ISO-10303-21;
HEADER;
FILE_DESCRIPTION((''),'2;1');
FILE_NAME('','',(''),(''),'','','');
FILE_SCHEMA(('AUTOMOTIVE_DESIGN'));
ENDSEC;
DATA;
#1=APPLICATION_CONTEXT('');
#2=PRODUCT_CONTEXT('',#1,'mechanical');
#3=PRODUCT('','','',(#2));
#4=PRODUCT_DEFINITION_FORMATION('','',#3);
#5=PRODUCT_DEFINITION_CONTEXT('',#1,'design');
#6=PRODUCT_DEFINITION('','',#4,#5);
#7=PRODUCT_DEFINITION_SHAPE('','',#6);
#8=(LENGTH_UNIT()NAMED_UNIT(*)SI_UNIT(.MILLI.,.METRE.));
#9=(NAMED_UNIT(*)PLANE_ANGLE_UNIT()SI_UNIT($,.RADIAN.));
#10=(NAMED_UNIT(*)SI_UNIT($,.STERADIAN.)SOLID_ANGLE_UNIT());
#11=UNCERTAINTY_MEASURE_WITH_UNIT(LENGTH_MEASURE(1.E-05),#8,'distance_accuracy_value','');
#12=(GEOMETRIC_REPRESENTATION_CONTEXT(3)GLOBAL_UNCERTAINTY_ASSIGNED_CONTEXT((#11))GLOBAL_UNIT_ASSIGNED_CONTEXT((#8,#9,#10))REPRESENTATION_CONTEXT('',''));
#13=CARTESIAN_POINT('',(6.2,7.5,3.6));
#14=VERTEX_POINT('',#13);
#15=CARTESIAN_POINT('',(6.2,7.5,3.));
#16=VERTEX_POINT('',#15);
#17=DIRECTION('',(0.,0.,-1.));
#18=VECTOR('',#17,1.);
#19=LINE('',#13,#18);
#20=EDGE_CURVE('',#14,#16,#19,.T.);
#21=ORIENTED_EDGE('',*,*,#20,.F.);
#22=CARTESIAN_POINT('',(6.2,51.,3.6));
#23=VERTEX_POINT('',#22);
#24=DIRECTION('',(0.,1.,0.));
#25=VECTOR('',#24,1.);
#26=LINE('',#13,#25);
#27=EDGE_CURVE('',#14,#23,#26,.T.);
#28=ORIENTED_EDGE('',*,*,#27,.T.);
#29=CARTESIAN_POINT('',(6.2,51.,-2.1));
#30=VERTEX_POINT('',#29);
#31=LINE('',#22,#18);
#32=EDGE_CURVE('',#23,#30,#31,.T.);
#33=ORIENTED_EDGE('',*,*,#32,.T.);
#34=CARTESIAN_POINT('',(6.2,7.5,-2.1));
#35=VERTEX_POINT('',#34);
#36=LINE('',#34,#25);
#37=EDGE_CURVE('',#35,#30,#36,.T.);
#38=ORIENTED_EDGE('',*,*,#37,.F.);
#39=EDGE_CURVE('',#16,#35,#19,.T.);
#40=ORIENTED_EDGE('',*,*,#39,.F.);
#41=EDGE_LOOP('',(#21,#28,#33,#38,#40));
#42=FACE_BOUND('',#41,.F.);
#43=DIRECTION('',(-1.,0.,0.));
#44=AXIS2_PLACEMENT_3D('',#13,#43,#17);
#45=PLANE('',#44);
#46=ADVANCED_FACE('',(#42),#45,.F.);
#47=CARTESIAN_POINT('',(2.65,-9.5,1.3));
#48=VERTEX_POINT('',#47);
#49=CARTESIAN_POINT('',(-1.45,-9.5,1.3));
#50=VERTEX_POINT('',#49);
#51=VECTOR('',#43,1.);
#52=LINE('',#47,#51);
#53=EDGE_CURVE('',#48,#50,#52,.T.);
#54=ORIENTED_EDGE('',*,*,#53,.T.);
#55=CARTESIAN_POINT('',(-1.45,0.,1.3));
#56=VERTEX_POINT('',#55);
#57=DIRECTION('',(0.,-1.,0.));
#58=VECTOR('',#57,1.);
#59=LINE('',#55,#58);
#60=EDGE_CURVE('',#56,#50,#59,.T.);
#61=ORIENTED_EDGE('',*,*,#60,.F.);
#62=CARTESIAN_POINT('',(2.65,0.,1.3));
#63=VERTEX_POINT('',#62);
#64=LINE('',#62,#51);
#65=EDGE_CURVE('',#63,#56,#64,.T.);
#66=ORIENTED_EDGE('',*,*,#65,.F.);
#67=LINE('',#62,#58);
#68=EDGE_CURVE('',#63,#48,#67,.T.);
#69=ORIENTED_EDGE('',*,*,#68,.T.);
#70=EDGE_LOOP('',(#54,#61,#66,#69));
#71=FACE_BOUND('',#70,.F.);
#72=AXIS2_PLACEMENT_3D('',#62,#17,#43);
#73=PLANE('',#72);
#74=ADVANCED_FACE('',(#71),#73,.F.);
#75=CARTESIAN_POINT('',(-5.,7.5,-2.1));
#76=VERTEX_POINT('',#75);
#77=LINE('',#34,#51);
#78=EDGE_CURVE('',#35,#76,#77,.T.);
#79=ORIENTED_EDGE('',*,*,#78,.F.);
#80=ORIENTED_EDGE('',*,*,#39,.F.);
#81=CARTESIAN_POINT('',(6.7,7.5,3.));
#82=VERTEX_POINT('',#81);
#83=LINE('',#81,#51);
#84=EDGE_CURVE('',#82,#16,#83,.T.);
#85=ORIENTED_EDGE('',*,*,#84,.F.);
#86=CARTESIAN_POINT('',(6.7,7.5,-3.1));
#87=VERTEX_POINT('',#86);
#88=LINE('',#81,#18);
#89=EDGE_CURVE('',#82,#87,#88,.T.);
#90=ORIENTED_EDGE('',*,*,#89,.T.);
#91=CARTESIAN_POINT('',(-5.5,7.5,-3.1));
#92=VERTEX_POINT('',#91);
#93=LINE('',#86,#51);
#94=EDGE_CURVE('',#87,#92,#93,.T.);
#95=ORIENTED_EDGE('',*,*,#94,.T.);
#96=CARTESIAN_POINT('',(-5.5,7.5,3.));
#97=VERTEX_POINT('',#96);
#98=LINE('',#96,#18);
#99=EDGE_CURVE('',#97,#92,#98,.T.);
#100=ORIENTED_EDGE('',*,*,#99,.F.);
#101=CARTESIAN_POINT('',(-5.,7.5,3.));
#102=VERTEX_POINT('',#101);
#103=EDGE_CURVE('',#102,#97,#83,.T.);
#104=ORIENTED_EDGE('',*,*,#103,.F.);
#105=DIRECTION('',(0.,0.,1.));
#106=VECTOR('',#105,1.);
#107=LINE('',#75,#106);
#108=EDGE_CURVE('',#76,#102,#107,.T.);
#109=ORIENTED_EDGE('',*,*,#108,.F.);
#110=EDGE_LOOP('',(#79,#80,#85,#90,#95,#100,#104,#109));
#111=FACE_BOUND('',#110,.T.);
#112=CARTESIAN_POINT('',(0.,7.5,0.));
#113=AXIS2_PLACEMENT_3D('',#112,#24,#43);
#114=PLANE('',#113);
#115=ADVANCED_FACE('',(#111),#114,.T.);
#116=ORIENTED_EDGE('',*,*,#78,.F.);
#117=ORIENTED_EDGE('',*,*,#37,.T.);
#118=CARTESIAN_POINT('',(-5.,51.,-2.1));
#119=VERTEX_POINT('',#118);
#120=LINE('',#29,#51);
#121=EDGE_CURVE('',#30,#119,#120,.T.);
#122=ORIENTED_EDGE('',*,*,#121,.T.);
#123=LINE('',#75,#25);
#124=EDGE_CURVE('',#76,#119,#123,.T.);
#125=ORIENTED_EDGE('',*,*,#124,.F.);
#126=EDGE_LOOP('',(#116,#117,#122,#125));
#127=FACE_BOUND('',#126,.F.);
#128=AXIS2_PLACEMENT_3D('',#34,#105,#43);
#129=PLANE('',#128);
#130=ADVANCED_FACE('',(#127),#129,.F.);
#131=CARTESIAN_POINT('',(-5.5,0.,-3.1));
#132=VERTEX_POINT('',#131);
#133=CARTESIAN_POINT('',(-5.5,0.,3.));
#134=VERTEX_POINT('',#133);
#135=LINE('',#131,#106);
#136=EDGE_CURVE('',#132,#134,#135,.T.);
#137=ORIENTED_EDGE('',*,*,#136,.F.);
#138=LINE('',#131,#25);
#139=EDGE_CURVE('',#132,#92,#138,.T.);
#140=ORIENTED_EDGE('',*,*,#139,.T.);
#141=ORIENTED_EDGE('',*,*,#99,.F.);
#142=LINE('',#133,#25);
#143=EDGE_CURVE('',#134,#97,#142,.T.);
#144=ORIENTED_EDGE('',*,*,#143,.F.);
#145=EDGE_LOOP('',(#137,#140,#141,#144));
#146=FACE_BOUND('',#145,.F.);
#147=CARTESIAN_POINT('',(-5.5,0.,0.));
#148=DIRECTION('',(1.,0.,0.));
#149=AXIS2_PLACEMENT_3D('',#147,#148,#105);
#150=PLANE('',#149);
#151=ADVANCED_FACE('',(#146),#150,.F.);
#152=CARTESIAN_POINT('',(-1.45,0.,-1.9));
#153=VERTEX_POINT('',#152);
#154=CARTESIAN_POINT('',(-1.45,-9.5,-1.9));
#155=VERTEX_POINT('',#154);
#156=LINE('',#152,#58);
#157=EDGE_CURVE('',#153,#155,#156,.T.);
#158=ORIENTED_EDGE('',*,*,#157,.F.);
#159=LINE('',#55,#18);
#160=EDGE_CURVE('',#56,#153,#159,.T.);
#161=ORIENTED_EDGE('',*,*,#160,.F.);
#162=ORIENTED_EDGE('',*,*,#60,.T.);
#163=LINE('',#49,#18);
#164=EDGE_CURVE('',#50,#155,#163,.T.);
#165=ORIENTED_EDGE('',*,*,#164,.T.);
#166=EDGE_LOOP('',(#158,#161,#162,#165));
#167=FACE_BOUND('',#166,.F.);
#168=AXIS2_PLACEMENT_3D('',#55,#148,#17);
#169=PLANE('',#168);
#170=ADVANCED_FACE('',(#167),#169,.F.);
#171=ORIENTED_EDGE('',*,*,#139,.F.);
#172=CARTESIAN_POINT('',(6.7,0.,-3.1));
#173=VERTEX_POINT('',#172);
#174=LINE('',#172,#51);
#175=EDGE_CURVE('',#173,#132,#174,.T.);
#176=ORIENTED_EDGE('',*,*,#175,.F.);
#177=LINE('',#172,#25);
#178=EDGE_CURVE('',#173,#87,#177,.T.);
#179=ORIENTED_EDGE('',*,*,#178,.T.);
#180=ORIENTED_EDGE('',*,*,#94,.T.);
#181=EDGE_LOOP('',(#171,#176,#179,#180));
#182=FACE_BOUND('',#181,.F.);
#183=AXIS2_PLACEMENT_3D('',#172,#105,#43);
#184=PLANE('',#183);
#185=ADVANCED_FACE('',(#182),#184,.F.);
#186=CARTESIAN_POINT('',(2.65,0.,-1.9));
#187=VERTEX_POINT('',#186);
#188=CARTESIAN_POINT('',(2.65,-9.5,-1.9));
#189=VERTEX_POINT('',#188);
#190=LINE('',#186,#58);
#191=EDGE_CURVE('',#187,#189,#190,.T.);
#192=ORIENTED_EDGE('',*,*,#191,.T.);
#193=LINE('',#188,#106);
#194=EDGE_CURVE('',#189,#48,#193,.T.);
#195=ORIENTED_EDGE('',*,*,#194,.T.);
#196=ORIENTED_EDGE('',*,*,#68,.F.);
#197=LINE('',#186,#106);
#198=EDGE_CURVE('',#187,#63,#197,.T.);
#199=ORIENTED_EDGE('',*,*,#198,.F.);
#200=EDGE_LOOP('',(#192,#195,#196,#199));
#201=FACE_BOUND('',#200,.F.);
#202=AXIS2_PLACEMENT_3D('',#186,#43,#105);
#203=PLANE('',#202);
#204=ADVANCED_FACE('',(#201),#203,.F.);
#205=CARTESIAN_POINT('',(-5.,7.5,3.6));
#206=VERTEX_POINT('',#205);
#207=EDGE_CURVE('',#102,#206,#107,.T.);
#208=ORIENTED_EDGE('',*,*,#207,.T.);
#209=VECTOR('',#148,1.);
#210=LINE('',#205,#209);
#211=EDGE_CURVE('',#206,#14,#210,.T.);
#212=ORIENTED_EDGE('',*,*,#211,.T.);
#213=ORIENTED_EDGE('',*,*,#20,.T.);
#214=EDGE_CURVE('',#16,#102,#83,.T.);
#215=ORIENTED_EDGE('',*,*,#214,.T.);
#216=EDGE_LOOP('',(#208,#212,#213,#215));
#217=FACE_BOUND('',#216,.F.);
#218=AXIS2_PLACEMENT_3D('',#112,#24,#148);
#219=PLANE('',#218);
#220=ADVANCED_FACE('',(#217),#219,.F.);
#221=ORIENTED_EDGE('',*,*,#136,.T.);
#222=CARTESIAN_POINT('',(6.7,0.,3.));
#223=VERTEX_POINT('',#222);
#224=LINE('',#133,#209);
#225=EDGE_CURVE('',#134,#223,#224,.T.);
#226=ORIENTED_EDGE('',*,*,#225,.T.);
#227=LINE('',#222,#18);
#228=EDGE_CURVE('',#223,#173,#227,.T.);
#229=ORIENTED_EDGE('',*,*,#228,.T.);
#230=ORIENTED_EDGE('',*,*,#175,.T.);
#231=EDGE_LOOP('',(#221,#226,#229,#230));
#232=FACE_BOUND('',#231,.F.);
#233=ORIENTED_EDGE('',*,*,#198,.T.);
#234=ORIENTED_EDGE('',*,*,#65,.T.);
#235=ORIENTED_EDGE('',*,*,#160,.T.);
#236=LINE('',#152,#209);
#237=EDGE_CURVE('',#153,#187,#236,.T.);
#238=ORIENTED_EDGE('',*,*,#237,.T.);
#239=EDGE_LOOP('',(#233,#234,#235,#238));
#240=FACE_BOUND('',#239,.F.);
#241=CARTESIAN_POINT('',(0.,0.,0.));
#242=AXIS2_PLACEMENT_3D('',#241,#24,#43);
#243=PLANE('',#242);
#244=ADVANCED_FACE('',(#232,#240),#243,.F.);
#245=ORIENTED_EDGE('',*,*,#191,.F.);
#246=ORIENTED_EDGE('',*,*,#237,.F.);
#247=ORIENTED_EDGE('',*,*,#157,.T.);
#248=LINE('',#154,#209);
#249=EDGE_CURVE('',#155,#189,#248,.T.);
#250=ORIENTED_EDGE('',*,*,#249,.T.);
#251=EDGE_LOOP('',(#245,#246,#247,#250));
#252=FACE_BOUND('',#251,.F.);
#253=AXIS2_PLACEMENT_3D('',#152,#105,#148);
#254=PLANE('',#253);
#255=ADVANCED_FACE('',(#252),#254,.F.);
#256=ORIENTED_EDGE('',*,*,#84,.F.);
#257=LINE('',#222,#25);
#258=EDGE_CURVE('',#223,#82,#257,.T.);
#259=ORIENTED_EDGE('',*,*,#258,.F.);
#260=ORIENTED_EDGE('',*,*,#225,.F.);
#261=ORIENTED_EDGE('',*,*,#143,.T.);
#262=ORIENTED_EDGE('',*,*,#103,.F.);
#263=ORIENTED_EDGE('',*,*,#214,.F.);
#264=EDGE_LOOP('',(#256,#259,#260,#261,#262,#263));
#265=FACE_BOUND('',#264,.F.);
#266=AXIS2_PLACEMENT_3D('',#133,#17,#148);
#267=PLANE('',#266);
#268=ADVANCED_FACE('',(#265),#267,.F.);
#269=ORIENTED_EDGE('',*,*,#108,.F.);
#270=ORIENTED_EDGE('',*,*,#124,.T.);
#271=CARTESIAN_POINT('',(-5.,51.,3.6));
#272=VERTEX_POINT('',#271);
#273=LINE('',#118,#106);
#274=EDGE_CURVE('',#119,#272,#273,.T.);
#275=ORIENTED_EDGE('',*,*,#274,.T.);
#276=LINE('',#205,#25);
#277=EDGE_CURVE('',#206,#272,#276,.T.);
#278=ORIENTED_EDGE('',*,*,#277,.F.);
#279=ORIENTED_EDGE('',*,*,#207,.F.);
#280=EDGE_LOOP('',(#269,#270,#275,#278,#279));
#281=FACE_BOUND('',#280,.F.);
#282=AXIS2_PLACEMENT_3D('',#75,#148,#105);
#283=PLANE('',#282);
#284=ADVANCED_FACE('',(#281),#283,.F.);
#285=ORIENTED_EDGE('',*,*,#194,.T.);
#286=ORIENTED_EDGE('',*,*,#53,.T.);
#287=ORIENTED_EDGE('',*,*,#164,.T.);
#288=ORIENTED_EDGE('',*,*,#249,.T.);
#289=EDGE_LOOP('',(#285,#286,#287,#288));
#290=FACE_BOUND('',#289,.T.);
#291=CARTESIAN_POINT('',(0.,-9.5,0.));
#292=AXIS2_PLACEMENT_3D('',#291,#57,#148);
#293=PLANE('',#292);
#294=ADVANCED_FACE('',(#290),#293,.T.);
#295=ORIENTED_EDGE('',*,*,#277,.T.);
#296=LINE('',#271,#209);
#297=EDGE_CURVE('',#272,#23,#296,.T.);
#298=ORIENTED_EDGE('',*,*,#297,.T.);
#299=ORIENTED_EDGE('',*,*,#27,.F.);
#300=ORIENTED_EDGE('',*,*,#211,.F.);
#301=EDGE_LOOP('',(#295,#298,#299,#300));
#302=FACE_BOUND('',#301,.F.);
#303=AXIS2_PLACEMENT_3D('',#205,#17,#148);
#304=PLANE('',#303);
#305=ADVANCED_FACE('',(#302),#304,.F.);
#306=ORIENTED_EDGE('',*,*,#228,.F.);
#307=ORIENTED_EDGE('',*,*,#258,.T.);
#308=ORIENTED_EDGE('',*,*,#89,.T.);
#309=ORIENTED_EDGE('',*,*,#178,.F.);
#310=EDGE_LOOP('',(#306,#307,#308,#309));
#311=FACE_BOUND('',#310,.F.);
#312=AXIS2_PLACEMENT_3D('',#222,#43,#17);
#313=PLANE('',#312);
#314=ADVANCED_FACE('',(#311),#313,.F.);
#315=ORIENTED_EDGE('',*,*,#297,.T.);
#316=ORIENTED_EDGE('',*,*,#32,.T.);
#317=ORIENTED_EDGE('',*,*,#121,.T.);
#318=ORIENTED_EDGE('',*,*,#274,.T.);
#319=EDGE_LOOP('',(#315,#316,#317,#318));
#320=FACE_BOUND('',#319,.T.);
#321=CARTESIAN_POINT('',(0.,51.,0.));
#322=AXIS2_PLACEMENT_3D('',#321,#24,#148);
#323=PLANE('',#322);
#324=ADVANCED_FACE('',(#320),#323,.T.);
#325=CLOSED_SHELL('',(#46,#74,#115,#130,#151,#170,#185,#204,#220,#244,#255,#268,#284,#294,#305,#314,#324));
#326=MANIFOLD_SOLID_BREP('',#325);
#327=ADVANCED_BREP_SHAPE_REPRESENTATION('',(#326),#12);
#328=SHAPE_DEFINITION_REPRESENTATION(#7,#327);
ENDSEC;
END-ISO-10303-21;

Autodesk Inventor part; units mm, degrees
ref_plane "YZ Plane" through (0, 0, 0) normal (1, 0, 0) x (0, 1, 0)
ref_plane "XZ Plane" through (0, 0, 0) normal (0, 1, 0) x (-1, 0, 0)
ref_plane "XY Plane" through (0, 0, 0) normal (0, 0, 1) x (1, 0, 0)
sketch "Sketch2" plane through (0, 0, 0) normal (0, 1, 0) x (-1, 0, 0)
  line L0 (0, 0) -> (5.5, 0)
  line L1 (5.5, 0) -> (5.5, 3)
  line L2 (5.5, 3) -> (0, 3)
  line L3 (0, 3) -> (0, 0)
  line L4 (5.5, 3) -> (-6.7, 3)
  line L5 (-6.7, 3) -> (-6.7, -3.1)
  line L6 (-6.7, -3.1) -> (5.5, -3.1)
  line L7 (5.5, -3.1) -> (5.5, 3)
  dimension "d0" = 5.5
  dimension "d1" = 3
  dimension "d2" = 12.2
  dimension "d3" = 6.1
extrude "Extrusion1" add sketch "Sketch2" along normal blind 7.5
sketch "Sketch3" plane through (0, 7.5, 0) normal (0, 1, 0) x (1, 0, 0)
  line L0 (6.2, 2.1) -> (-5, 2.1)
  line L1 (-5, 2.1) -> (-5, -3.6)
  line L2 (-5, -3.6) -> (6.2, -3.6)
  line L3 (6.2, -3.6) -> (6.2, 2.1)
  line L4 (6.7, 3.1) -> (-5.5, 3.1) projected
  line L5 (6.7, -3) -> (6.7, 3.1) projected
  point P0 (0, 0)
  dimension "d6" = 6.7
  dimension "d7" = 5.7
  dimension "d8" = 11.2
  dimension "d9" = 0.5
extrude "Extrusion2" add sketch "Sketch3" along normal blind 43.5
sketch "Sketch4" plane through (0, 0, 0) normal (0, -1, 0) x (1, 0, 0)
  line L0 (-1.45, -1.9) -> (2.65, -1.9)
  line L1 (2.65, -1.9) -> (2.65, 1.3)
  line L2 (2.65, 1.3) -> (-1.45, 1.3)
  line L3 (-1.45, 1.3) -> (-1.45, -1.9)
  line L4 (-5.5, 3) -> (6.7, 3) projected
  line L5 (-5.5, -3.1) -> (-5.5, 3) projected
  point P0 (0, 0)
  dimension "d12" = 3.2
  dimension "d13" = 4.1
  dimension "d14" = 1.7
  dimension "d15" = 4.05
extrude "Extrusion3" add sketch "Sketch4" along normal blind 9.5
properties part number "Battery_small"
